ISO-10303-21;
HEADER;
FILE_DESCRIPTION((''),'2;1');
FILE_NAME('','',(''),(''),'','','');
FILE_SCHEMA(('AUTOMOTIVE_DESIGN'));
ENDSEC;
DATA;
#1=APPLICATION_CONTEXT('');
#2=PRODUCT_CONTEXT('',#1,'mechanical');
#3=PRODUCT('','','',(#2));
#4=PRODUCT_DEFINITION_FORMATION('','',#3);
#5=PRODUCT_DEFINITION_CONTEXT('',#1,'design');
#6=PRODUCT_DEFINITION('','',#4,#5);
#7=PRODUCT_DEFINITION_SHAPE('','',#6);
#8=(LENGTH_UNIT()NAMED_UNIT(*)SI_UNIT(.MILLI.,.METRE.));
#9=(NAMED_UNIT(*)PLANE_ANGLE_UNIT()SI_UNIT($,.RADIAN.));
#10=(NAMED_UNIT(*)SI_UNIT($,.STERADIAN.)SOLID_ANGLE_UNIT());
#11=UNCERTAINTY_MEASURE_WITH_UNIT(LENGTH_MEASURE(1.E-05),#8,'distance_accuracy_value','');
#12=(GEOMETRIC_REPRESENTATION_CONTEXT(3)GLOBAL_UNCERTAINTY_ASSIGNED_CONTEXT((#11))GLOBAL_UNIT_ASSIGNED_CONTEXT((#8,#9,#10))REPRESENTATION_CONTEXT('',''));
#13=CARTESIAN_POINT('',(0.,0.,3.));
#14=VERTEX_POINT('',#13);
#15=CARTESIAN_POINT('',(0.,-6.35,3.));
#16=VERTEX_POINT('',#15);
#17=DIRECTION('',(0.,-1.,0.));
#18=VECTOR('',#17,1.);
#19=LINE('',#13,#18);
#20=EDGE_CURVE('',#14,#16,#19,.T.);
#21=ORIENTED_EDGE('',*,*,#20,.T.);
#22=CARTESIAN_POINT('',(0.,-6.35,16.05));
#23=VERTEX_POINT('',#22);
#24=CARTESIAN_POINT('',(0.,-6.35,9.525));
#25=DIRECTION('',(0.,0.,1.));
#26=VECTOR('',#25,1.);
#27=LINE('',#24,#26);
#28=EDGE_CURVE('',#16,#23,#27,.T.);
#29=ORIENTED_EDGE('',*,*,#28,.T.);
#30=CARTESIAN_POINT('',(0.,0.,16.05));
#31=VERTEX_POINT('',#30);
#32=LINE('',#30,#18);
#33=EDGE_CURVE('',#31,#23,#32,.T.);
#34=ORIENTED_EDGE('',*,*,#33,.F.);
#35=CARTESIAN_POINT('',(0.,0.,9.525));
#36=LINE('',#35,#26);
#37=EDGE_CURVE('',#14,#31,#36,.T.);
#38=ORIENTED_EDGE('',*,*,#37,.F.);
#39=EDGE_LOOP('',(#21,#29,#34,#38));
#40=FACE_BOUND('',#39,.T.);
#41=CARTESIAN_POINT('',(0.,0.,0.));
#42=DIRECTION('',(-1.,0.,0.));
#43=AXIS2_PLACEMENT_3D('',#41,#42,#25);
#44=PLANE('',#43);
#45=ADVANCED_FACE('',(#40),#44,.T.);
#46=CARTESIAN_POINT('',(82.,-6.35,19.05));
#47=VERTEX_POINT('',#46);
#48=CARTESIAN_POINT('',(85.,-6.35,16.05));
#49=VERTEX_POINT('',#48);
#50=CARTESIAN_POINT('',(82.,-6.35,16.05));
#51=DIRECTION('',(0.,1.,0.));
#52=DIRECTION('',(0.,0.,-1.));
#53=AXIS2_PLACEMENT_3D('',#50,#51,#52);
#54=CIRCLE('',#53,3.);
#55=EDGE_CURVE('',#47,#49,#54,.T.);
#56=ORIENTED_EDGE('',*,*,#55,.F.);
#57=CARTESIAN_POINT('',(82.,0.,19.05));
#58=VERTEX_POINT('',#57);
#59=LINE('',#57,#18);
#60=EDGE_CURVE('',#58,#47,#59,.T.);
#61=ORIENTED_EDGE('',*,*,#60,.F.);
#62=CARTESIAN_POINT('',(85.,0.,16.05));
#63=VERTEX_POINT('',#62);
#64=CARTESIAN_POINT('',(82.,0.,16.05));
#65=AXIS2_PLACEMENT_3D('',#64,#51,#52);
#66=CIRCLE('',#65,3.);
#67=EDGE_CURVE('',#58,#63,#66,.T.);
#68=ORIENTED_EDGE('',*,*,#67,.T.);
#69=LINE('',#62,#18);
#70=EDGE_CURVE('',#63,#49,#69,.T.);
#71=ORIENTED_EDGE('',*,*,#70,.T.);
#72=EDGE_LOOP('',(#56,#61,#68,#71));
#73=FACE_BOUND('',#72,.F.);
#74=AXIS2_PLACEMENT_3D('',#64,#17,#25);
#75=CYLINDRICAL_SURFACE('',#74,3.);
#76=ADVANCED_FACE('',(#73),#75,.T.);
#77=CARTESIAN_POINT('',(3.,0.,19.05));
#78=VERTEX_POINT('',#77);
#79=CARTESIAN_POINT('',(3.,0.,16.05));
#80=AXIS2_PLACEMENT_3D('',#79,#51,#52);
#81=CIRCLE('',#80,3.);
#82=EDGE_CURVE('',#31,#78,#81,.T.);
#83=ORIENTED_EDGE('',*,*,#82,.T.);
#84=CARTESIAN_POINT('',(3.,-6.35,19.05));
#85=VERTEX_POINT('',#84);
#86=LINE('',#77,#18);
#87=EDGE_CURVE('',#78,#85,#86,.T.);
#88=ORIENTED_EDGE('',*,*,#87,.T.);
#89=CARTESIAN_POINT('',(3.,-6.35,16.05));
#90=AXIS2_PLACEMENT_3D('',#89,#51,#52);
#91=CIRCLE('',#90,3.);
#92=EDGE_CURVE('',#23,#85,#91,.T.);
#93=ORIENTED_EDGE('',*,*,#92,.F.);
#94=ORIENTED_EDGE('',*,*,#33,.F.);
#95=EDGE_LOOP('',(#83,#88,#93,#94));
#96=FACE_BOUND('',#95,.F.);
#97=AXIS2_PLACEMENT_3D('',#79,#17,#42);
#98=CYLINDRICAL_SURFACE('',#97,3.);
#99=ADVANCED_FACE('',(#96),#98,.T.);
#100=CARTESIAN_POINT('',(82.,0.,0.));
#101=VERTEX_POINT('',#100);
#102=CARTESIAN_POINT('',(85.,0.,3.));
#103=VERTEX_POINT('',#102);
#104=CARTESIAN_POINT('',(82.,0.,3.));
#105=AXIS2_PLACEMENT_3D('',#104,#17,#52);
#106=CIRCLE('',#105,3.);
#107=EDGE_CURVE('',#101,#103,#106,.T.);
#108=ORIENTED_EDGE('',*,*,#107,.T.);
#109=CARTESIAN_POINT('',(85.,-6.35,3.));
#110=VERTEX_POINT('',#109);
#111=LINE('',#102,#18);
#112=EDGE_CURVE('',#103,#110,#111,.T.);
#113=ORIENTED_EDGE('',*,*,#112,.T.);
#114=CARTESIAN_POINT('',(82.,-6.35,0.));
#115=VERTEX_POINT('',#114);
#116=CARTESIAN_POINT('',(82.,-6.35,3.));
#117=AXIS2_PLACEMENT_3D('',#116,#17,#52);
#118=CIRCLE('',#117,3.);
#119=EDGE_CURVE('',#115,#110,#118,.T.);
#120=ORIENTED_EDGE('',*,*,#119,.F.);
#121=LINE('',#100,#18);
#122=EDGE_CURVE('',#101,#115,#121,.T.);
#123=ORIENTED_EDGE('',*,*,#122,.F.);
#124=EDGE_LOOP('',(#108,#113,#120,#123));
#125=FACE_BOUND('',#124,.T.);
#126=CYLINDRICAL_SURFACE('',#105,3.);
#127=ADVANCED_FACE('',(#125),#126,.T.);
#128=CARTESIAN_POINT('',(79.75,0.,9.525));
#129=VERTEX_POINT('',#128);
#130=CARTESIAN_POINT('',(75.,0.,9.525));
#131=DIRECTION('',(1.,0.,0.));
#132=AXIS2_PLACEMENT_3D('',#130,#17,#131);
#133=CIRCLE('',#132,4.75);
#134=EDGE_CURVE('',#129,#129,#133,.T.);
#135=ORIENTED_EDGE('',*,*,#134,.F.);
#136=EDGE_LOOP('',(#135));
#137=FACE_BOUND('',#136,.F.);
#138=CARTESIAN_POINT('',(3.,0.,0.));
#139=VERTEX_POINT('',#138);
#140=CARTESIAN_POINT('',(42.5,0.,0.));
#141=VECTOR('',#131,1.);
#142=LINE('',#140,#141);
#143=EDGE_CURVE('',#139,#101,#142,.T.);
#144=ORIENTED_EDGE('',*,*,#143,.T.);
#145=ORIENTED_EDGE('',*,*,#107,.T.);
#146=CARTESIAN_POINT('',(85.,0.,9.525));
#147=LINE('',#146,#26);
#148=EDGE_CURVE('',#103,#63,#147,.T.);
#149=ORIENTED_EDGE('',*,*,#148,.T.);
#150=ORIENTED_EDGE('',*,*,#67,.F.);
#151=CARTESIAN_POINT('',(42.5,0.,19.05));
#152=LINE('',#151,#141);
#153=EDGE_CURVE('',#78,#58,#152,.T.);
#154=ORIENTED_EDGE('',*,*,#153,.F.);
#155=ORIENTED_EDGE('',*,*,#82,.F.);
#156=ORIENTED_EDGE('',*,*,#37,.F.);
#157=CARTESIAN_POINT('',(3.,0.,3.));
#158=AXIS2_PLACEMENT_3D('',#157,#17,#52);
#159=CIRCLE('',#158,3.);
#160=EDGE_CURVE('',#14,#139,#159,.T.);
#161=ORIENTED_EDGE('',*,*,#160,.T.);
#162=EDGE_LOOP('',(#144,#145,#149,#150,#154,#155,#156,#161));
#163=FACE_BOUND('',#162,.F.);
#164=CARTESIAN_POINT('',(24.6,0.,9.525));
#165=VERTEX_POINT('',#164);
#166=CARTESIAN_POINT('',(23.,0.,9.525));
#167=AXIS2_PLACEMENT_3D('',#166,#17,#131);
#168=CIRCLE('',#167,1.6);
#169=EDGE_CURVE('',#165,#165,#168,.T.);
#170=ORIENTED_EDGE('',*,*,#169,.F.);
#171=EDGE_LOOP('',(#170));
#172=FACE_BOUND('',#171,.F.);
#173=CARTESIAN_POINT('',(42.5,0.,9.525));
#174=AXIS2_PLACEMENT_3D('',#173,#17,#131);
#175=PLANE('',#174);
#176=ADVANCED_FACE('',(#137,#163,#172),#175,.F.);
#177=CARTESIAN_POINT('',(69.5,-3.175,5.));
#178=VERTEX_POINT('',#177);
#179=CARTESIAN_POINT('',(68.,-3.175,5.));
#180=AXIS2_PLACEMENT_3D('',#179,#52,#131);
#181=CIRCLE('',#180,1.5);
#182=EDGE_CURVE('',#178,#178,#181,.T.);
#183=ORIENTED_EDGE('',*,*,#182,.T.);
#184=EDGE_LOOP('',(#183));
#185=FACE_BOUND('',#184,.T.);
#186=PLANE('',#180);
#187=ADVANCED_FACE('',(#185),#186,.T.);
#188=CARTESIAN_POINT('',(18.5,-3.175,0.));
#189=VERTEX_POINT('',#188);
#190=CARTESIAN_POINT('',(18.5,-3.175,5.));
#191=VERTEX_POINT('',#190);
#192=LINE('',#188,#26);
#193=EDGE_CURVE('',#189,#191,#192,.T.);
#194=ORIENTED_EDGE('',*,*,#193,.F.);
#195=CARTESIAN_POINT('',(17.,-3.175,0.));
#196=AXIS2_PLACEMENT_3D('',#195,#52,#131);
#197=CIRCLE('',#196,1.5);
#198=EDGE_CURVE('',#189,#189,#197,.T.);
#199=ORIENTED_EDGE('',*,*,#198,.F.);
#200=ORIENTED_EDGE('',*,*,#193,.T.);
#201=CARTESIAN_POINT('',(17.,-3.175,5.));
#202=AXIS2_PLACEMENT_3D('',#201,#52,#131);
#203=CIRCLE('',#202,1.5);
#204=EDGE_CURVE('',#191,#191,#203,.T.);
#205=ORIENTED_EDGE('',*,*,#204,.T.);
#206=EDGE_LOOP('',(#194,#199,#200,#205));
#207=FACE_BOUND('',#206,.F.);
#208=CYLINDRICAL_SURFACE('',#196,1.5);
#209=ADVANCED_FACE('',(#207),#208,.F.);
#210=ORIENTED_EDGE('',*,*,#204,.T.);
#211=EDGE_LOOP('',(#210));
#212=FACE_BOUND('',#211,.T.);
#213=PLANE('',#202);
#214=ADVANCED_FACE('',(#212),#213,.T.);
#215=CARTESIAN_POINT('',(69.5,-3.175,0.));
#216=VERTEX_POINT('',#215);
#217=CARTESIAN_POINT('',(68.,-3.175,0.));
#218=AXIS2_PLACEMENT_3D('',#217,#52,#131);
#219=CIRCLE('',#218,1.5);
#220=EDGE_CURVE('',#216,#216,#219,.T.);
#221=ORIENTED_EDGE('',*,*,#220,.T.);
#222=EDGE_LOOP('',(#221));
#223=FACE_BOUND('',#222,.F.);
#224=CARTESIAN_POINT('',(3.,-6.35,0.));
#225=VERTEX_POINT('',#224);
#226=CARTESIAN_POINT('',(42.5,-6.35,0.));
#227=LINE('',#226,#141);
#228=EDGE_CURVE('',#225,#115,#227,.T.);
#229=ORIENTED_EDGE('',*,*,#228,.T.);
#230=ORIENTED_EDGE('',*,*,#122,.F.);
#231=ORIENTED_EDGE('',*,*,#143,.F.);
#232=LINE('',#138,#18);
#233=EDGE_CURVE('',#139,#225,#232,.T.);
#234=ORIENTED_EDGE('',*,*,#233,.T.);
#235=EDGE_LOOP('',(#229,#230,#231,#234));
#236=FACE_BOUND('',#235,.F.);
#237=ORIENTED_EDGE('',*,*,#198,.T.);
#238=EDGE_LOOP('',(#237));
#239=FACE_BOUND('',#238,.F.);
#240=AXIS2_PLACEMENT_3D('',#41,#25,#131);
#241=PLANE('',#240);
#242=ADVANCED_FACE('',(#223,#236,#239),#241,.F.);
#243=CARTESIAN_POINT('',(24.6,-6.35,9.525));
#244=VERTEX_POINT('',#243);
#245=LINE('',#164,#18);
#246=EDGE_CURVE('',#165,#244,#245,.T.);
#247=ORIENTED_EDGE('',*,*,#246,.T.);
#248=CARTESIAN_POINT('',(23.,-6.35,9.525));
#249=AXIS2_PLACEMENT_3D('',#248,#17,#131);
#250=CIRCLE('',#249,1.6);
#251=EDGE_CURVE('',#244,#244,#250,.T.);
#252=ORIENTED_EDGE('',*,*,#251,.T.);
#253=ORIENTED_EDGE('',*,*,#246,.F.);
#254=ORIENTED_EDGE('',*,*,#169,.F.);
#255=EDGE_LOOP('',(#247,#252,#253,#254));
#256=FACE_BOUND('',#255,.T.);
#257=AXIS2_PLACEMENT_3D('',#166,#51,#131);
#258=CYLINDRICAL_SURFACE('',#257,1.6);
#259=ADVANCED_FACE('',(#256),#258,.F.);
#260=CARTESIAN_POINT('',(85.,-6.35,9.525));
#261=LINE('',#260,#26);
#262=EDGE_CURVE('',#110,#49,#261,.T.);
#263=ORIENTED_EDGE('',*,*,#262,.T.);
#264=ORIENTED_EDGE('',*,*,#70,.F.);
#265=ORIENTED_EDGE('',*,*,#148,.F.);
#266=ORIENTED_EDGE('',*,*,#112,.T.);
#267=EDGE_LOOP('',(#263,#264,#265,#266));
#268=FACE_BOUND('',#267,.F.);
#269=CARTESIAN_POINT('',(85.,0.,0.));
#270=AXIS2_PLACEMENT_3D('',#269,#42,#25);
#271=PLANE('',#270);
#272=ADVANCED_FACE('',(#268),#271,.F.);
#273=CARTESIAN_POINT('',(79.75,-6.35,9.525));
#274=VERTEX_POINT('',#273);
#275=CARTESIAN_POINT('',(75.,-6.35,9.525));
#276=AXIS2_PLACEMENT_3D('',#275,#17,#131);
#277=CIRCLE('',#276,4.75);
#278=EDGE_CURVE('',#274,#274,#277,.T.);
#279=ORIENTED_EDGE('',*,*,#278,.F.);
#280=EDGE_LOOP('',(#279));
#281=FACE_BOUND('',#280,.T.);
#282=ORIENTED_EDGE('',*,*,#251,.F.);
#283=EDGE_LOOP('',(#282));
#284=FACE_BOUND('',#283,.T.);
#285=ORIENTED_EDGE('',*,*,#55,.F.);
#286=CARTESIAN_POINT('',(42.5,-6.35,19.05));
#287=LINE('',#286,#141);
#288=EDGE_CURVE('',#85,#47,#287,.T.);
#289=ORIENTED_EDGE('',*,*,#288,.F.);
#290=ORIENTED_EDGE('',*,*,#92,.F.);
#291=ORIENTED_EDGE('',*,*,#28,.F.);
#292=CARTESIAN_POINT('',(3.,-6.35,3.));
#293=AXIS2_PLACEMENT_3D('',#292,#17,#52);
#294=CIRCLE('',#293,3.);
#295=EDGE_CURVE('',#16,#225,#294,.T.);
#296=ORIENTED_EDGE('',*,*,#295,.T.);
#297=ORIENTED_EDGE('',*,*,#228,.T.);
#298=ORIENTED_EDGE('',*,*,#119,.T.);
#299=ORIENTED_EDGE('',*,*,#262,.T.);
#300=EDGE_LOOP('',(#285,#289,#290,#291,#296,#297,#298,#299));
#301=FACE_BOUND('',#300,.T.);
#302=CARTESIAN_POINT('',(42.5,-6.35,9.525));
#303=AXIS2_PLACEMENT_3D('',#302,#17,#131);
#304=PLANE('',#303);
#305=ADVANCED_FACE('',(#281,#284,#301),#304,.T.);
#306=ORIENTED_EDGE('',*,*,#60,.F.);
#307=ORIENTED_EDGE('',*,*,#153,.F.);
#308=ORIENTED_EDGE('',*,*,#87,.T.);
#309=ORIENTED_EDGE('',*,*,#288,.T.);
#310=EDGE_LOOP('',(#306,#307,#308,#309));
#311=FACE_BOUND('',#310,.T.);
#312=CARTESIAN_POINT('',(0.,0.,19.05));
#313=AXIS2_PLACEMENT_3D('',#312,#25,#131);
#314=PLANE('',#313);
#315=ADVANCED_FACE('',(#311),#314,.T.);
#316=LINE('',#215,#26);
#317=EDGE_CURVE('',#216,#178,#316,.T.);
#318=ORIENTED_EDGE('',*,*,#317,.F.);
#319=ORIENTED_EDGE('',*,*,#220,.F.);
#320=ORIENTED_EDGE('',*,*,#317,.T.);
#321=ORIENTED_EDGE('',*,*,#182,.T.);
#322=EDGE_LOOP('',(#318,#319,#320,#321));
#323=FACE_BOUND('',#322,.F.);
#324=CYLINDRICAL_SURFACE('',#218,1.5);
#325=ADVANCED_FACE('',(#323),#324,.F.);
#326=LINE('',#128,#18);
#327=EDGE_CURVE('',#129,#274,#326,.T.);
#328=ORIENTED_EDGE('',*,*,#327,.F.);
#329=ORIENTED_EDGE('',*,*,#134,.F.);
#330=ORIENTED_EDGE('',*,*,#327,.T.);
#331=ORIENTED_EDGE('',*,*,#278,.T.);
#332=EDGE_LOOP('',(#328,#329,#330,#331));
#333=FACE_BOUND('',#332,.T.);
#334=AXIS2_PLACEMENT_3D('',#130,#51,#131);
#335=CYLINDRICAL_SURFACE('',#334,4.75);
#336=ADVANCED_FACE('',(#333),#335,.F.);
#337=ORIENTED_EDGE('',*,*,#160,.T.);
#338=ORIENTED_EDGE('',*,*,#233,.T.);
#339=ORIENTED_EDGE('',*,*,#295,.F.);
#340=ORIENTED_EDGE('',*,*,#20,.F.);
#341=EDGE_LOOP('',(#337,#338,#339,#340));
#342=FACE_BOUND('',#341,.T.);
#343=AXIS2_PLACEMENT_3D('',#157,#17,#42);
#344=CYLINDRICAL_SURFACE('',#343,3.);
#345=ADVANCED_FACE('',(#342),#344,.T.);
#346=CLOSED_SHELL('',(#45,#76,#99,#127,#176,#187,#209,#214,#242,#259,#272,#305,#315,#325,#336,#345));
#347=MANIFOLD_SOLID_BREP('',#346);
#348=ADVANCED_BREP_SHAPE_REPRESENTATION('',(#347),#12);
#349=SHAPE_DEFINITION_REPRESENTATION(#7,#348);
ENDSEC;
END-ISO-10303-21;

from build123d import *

# Parameters (mm, degrees)
F0_W     = 85
F0_H     = 19.05
F0_R     = 1.6
F0_R_2   = 4.75
F1_DEPTH = 6.35
F2_R     = 3
F3_R     = 1.5
F4_DEPTH = 5


with BuildPart() as f1:
    # F0 (on Front) → F1 (new body)
    with BuildSketch(Plane.XZ):
        with Locations((42.5, 9.525)):
            Rectangle(F0_W, F0_H)
        with Locations((23, 9.525)):
            Circle(F0_R, mode=Mode.SUBTRACT)
        with Locations((75, 9.525)):
            Circle(F0_R_2, mode=Mode.SUBTRACT)
    extrude(amount=F1_DEPTH)

    # F2
    f2_edges = [f1.edges().sort_by_distance(p)[0] for p in [
        (85, -3.175, 19.05),
        (85, -3.175, 0),
        (0, -3.175, 19.05),
        (0, -3.175, 0),
    ]]
    fillet(f2_edges, radius=F2_R)

    # F3 (on face) → F4 (cut)
    with BuildSketch(Plane(origin=(0, 0, 0), x_dir=(1, 0, 0), z_dir=(0, 0, -1))):
        with Locations((17, 3.175)):
            Circle(F3_R)
        with Locations((68, 3.175)):
            Circle(F3_R)
    extrude(amount=-F4_DEPTH, mode=Mode.SUBTRACT)


solid = f1.part
